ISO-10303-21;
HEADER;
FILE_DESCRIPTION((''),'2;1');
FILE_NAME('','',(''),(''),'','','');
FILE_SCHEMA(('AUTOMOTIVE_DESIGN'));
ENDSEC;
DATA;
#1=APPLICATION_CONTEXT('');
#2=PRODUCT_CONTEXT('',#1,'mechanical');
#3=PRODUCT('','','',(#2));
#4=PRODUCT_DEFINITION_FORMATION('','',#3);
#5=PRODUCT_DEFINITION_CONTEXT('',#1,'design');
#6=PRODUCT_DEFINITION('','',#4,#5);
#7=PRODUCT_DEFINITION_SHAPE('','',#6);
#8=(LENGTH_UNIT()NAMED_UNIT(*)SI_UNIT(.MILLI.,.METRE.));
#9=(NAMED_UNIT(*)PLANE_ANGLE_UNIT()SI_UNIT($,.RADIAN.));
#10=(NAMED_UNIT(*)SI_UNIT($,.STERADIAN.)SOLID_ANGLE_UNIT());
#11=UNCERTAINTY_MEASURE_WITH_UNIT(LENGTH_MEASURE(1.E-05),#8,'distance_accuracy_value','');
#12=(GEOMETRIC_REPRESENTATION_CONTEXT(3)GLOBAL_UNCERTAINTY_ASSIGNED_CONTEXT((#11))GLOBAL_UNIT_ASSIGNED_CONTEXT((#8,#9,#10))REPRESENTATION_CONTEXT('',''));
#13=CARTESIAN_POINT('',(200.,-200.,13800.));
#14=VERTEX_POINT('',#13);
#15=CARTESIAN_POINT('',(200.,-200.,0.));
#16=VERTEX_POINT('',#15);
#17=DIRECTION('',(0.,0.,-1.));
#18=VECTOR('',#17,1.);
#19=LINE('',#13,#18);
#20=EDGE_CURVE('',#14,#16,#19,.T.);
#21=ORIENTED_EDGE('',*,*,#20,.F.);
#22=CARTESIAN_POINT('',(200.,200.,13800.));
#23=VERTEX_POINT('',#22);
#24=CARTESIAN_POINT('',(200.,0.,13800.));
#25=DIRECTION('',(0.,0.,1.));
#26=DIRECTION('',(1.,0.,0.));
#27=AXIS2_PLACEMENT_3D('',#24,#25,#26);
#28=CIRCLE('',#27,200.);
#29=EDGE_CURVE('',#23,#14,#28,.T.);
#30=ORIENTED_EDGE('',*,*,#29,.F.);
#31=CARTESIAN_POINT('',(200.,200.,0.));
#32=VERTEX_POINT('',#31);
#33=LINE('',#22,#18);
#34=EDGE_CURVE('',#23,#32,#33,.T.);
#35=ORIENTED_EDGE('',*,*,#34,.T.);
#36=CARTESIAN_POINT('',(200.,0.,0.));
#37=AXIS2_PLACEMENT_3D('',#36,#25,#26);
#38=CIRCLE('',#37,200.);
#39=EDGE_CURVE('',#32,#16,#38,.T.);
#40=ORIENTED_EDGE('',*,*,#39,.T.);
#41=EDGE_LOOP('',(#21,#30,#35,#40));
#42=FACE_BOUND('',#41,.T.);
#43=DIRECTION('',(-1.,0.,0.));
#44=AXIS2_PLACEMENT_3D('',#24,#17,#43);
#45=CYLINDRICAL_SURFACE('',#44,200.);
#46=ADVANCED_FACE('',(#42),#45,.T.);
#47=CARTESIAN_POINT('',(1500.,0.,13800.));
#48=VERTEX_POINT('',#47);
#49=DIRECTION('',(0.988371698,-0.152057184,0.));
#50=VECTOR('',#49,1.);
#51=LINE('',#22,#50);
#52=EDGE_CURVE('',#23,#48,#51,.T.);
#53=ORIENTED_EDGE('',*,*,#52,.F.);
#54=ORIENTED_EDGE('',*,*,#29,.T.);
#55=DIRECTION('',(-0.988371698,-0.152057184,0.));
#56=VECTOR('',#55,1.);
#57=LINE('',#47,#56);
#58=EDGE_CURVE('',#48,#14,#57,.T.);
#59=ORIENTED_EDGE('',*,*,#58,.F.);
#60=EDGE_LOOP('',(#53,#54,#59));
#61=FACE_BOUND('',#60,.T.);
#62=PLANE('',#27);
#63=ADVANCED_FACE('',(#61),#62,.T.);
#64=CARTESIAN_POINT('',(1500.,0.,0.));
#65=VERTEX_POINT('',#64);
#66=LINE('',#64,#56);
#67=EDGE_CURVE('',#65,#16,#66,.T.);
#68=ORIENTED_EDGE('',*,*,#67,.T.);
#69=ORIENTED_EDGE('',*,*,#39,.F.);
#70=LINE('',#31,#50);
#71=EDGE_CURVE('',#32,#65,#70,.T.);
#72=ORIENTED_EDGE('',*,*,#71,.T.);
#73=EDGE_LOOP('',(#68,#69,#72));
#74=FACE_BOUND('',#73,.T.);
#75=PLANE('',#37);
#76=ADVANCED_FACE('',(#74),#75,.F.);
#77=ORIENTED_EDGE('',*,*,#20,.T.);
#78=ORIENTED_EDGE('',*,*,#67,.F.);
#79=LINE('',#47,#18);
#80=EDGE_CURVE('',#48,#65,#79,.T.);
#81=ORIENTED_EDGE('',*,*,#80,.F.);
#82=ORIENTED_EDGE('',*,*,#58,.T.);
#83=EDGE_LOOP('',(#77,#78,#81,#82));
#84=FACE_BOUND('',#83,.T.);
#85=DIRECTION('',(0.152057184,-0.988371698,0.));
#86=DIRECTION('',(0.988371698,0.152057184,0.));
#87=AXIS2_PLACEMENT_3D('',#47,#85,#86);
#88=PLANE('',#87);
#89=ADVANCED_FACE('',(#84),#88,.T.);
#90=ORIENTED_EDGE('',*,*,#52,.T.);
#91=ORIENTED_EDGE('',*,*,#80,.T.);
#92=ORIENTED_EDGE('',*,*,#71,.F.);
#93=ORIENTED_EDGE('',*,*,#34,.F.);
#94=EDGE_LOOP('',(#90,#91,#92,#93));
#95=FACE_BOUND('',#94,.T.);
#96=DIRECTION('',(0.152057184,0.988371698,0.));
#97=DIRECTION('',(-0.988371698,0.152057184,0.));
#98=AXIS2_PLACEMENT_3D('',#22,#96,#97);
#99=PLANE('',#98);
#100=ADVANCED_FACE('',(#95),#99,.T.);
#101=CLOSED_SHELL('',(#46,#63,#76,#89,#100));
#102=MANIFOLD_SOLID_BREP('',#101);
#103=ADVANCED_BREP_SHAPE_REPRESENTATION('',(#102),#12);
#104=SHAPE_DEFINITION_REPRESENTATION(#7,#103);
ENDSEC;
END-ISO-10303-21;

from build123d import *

# Parameters (mm, degrees)
BOSS_EXTRUDE2_DEPTH = 13800


with BuildPart() as part:
    # Sketch1 → Boss-Extrude2 (new body)
    with BuildSketch(Plane.XY):
        with BuildLine():
            Line((200, 200), (1500, 0))
            Line((1500, 0), (200, -200))
            ThreePointArc((200, -200), (0, 0), (200, 200))
        make_face()
    extrude(amount=BOSS_EXTRUDE2_DEPTH)


solid = part.part
